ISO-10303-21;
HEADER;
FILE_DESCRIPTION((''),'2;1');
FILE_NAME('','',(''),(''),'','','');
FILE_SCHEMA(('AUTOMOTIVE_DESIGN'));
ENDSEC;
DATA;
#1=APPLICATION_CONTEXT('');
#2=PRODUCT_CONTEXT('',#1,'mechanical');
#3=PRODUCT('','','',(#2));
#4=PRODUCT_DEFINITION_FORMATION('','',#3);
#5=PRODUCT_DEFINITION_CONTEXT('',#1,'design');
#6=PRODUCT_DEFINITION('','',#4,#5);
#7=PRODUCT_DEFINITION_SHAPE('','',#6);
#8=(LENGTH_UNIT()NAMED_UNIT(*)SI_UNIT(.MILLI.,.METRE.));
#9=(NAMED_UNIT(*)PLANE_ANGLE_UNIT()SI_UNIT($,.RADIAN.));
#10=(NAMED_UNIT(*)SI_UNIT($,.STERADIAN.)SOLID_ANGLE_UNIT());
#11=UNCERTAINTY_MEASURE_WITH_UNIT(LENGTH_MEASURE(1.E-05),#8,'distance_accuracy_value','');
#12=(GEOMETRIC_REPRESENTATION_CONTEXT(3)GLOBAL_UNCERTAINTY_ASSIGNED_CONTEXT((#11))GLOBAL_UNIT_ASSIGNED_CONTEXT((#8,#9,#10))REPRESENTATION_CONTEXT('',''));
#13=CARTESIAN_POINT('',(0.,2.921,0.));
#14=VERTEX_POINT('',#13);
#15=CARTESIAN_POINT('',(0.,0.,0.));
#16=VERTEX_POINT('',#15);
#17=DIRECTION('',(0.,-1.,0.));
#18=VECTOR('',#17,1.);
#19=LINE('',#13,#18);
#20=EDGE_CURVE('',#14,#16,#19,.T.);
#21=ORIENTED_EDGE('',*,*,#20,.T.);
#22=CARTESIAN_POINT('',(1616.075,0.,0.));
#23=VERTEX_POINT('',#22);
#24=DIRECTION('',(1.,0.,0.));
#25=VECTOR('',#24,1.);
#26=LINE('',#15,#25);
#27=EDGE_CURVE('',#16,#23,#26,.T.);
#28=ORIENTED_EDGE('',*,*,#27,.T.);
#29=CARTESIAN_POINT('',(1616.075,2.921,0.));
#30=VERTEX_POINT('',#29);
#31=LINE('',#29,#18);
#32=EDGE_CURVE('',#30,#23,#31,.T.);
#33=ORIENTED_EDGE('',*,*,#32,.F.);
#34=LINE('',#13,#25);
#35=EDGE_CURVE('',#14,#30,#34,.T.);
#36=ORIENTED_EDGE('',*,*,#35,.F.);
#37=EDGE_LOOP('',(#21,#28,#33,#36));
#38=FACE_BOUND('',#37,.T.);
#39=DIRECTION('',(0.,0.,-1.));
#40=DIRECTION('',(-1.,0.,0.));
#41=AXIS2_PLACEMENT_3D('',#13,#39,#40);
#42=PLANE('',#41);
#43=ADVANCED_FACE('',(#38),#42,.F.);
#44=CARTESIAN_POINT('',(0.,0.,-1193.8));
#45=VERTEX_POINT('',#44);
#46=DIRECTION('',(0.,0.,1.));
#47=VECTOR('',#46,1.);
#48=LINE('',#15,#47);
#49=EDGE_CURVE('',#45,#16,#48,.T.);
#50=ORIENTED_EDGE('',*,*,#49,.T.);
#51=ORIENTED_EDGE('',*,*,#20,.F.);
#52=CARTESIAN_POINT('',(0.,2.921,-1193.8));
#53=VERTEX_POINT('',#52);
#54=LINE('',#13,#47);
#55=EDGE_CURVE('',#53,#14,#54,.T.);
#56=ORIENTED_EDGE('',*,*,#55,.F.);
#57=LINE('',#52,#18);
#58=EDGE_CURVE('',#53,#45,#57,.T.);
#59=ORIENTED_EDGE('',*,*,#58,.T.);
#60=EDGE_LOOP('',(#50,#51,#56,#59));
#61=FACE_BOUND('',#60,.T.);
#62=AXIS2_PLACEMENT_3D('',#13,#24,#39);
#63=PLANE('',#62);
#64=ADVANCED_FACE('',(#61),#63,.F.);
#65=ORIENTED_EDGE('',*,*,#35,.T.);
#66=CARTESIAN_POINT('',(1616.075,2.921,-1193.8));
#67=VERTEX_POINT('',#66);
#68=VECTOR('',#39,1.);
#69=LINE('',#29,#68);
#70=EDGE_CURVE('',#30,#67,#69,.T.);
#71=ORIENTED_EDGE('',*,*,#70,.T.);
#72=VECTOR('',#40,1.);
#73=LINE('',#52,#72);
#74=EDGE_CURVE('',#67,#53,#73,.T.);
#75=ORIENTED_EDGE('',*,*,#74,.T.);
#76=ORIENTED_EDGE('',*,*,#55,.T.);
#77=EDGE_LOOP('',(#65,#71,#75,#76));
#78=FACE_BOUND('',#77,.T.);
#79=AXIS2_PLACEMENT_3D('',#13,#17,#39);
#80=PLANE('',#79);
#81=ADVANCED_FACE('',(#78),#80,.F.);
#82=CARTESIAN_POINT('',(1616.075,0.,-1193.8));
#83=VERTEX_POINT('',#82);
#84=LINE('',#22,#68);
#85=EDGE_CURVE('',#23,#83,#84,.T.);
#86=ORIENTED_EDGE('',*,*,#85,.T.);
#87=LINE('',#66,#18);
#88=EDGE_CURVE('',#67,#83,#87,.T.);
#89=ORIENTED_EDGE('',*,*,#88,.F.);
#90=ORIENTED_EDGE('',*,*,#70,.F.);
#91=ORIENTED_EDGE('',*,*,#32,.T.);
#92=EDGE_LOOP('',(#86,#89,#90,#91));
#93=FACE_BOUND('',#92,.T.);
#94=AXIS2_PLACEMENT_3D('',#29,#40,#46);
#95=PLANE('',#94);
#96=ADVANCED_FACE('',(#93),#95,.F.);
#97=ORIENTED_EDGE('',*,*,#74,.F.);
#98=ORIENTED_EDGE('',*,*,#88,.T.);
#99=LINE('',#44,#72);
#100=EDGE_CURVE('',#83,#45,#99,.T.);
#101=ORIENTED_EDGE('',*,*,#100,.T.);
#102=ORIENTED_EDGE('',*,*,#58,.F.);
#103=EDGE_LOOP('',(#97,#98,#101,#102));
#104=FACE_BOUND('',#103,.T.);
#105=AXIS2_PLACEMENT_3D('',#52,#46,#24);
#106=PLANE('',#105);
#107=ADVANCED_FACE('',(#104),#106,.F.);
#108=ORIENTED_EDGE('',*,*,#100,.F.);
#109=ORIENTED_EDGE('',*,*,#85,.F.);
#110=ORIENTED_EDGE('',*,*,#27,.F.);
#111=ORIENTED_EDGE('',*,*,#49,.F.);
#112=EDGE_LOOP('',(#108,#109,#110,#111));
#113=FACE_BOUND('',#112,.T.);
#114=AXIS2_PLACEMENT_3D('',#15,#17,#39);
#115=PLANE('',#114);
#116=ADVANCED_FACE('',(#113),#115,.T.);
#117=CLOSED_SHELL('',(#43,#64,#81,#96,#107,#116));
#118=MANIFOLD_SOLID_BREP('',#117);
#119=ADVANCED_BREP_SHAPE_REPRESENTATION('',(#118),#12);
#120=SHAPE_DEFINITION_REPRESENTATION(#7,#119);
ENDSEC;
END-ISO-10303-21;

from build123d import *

# Parameters (mm, degrees)
SKETCH1_W           = 1616.075
SKETCH1_H           = 1193.8
BOSS_EXTRUDE1_DEPTH = 2.921


with BuildPart() as part:
    # Sketch1 → Boss-Extrude1 (new body)
    with BuildSketch(Plane(origin=(0, 0, 0), x_dir=(1, 0, 0), z_dir=(0, 1, 0))):
        with Locations((808.0375, 596.9)):
            Rectangle(SKETCH1_W, SKETCH1_H)
    extrude(amount=BOSS_EXTRUDE1_DEPTH)


solid = part.part
